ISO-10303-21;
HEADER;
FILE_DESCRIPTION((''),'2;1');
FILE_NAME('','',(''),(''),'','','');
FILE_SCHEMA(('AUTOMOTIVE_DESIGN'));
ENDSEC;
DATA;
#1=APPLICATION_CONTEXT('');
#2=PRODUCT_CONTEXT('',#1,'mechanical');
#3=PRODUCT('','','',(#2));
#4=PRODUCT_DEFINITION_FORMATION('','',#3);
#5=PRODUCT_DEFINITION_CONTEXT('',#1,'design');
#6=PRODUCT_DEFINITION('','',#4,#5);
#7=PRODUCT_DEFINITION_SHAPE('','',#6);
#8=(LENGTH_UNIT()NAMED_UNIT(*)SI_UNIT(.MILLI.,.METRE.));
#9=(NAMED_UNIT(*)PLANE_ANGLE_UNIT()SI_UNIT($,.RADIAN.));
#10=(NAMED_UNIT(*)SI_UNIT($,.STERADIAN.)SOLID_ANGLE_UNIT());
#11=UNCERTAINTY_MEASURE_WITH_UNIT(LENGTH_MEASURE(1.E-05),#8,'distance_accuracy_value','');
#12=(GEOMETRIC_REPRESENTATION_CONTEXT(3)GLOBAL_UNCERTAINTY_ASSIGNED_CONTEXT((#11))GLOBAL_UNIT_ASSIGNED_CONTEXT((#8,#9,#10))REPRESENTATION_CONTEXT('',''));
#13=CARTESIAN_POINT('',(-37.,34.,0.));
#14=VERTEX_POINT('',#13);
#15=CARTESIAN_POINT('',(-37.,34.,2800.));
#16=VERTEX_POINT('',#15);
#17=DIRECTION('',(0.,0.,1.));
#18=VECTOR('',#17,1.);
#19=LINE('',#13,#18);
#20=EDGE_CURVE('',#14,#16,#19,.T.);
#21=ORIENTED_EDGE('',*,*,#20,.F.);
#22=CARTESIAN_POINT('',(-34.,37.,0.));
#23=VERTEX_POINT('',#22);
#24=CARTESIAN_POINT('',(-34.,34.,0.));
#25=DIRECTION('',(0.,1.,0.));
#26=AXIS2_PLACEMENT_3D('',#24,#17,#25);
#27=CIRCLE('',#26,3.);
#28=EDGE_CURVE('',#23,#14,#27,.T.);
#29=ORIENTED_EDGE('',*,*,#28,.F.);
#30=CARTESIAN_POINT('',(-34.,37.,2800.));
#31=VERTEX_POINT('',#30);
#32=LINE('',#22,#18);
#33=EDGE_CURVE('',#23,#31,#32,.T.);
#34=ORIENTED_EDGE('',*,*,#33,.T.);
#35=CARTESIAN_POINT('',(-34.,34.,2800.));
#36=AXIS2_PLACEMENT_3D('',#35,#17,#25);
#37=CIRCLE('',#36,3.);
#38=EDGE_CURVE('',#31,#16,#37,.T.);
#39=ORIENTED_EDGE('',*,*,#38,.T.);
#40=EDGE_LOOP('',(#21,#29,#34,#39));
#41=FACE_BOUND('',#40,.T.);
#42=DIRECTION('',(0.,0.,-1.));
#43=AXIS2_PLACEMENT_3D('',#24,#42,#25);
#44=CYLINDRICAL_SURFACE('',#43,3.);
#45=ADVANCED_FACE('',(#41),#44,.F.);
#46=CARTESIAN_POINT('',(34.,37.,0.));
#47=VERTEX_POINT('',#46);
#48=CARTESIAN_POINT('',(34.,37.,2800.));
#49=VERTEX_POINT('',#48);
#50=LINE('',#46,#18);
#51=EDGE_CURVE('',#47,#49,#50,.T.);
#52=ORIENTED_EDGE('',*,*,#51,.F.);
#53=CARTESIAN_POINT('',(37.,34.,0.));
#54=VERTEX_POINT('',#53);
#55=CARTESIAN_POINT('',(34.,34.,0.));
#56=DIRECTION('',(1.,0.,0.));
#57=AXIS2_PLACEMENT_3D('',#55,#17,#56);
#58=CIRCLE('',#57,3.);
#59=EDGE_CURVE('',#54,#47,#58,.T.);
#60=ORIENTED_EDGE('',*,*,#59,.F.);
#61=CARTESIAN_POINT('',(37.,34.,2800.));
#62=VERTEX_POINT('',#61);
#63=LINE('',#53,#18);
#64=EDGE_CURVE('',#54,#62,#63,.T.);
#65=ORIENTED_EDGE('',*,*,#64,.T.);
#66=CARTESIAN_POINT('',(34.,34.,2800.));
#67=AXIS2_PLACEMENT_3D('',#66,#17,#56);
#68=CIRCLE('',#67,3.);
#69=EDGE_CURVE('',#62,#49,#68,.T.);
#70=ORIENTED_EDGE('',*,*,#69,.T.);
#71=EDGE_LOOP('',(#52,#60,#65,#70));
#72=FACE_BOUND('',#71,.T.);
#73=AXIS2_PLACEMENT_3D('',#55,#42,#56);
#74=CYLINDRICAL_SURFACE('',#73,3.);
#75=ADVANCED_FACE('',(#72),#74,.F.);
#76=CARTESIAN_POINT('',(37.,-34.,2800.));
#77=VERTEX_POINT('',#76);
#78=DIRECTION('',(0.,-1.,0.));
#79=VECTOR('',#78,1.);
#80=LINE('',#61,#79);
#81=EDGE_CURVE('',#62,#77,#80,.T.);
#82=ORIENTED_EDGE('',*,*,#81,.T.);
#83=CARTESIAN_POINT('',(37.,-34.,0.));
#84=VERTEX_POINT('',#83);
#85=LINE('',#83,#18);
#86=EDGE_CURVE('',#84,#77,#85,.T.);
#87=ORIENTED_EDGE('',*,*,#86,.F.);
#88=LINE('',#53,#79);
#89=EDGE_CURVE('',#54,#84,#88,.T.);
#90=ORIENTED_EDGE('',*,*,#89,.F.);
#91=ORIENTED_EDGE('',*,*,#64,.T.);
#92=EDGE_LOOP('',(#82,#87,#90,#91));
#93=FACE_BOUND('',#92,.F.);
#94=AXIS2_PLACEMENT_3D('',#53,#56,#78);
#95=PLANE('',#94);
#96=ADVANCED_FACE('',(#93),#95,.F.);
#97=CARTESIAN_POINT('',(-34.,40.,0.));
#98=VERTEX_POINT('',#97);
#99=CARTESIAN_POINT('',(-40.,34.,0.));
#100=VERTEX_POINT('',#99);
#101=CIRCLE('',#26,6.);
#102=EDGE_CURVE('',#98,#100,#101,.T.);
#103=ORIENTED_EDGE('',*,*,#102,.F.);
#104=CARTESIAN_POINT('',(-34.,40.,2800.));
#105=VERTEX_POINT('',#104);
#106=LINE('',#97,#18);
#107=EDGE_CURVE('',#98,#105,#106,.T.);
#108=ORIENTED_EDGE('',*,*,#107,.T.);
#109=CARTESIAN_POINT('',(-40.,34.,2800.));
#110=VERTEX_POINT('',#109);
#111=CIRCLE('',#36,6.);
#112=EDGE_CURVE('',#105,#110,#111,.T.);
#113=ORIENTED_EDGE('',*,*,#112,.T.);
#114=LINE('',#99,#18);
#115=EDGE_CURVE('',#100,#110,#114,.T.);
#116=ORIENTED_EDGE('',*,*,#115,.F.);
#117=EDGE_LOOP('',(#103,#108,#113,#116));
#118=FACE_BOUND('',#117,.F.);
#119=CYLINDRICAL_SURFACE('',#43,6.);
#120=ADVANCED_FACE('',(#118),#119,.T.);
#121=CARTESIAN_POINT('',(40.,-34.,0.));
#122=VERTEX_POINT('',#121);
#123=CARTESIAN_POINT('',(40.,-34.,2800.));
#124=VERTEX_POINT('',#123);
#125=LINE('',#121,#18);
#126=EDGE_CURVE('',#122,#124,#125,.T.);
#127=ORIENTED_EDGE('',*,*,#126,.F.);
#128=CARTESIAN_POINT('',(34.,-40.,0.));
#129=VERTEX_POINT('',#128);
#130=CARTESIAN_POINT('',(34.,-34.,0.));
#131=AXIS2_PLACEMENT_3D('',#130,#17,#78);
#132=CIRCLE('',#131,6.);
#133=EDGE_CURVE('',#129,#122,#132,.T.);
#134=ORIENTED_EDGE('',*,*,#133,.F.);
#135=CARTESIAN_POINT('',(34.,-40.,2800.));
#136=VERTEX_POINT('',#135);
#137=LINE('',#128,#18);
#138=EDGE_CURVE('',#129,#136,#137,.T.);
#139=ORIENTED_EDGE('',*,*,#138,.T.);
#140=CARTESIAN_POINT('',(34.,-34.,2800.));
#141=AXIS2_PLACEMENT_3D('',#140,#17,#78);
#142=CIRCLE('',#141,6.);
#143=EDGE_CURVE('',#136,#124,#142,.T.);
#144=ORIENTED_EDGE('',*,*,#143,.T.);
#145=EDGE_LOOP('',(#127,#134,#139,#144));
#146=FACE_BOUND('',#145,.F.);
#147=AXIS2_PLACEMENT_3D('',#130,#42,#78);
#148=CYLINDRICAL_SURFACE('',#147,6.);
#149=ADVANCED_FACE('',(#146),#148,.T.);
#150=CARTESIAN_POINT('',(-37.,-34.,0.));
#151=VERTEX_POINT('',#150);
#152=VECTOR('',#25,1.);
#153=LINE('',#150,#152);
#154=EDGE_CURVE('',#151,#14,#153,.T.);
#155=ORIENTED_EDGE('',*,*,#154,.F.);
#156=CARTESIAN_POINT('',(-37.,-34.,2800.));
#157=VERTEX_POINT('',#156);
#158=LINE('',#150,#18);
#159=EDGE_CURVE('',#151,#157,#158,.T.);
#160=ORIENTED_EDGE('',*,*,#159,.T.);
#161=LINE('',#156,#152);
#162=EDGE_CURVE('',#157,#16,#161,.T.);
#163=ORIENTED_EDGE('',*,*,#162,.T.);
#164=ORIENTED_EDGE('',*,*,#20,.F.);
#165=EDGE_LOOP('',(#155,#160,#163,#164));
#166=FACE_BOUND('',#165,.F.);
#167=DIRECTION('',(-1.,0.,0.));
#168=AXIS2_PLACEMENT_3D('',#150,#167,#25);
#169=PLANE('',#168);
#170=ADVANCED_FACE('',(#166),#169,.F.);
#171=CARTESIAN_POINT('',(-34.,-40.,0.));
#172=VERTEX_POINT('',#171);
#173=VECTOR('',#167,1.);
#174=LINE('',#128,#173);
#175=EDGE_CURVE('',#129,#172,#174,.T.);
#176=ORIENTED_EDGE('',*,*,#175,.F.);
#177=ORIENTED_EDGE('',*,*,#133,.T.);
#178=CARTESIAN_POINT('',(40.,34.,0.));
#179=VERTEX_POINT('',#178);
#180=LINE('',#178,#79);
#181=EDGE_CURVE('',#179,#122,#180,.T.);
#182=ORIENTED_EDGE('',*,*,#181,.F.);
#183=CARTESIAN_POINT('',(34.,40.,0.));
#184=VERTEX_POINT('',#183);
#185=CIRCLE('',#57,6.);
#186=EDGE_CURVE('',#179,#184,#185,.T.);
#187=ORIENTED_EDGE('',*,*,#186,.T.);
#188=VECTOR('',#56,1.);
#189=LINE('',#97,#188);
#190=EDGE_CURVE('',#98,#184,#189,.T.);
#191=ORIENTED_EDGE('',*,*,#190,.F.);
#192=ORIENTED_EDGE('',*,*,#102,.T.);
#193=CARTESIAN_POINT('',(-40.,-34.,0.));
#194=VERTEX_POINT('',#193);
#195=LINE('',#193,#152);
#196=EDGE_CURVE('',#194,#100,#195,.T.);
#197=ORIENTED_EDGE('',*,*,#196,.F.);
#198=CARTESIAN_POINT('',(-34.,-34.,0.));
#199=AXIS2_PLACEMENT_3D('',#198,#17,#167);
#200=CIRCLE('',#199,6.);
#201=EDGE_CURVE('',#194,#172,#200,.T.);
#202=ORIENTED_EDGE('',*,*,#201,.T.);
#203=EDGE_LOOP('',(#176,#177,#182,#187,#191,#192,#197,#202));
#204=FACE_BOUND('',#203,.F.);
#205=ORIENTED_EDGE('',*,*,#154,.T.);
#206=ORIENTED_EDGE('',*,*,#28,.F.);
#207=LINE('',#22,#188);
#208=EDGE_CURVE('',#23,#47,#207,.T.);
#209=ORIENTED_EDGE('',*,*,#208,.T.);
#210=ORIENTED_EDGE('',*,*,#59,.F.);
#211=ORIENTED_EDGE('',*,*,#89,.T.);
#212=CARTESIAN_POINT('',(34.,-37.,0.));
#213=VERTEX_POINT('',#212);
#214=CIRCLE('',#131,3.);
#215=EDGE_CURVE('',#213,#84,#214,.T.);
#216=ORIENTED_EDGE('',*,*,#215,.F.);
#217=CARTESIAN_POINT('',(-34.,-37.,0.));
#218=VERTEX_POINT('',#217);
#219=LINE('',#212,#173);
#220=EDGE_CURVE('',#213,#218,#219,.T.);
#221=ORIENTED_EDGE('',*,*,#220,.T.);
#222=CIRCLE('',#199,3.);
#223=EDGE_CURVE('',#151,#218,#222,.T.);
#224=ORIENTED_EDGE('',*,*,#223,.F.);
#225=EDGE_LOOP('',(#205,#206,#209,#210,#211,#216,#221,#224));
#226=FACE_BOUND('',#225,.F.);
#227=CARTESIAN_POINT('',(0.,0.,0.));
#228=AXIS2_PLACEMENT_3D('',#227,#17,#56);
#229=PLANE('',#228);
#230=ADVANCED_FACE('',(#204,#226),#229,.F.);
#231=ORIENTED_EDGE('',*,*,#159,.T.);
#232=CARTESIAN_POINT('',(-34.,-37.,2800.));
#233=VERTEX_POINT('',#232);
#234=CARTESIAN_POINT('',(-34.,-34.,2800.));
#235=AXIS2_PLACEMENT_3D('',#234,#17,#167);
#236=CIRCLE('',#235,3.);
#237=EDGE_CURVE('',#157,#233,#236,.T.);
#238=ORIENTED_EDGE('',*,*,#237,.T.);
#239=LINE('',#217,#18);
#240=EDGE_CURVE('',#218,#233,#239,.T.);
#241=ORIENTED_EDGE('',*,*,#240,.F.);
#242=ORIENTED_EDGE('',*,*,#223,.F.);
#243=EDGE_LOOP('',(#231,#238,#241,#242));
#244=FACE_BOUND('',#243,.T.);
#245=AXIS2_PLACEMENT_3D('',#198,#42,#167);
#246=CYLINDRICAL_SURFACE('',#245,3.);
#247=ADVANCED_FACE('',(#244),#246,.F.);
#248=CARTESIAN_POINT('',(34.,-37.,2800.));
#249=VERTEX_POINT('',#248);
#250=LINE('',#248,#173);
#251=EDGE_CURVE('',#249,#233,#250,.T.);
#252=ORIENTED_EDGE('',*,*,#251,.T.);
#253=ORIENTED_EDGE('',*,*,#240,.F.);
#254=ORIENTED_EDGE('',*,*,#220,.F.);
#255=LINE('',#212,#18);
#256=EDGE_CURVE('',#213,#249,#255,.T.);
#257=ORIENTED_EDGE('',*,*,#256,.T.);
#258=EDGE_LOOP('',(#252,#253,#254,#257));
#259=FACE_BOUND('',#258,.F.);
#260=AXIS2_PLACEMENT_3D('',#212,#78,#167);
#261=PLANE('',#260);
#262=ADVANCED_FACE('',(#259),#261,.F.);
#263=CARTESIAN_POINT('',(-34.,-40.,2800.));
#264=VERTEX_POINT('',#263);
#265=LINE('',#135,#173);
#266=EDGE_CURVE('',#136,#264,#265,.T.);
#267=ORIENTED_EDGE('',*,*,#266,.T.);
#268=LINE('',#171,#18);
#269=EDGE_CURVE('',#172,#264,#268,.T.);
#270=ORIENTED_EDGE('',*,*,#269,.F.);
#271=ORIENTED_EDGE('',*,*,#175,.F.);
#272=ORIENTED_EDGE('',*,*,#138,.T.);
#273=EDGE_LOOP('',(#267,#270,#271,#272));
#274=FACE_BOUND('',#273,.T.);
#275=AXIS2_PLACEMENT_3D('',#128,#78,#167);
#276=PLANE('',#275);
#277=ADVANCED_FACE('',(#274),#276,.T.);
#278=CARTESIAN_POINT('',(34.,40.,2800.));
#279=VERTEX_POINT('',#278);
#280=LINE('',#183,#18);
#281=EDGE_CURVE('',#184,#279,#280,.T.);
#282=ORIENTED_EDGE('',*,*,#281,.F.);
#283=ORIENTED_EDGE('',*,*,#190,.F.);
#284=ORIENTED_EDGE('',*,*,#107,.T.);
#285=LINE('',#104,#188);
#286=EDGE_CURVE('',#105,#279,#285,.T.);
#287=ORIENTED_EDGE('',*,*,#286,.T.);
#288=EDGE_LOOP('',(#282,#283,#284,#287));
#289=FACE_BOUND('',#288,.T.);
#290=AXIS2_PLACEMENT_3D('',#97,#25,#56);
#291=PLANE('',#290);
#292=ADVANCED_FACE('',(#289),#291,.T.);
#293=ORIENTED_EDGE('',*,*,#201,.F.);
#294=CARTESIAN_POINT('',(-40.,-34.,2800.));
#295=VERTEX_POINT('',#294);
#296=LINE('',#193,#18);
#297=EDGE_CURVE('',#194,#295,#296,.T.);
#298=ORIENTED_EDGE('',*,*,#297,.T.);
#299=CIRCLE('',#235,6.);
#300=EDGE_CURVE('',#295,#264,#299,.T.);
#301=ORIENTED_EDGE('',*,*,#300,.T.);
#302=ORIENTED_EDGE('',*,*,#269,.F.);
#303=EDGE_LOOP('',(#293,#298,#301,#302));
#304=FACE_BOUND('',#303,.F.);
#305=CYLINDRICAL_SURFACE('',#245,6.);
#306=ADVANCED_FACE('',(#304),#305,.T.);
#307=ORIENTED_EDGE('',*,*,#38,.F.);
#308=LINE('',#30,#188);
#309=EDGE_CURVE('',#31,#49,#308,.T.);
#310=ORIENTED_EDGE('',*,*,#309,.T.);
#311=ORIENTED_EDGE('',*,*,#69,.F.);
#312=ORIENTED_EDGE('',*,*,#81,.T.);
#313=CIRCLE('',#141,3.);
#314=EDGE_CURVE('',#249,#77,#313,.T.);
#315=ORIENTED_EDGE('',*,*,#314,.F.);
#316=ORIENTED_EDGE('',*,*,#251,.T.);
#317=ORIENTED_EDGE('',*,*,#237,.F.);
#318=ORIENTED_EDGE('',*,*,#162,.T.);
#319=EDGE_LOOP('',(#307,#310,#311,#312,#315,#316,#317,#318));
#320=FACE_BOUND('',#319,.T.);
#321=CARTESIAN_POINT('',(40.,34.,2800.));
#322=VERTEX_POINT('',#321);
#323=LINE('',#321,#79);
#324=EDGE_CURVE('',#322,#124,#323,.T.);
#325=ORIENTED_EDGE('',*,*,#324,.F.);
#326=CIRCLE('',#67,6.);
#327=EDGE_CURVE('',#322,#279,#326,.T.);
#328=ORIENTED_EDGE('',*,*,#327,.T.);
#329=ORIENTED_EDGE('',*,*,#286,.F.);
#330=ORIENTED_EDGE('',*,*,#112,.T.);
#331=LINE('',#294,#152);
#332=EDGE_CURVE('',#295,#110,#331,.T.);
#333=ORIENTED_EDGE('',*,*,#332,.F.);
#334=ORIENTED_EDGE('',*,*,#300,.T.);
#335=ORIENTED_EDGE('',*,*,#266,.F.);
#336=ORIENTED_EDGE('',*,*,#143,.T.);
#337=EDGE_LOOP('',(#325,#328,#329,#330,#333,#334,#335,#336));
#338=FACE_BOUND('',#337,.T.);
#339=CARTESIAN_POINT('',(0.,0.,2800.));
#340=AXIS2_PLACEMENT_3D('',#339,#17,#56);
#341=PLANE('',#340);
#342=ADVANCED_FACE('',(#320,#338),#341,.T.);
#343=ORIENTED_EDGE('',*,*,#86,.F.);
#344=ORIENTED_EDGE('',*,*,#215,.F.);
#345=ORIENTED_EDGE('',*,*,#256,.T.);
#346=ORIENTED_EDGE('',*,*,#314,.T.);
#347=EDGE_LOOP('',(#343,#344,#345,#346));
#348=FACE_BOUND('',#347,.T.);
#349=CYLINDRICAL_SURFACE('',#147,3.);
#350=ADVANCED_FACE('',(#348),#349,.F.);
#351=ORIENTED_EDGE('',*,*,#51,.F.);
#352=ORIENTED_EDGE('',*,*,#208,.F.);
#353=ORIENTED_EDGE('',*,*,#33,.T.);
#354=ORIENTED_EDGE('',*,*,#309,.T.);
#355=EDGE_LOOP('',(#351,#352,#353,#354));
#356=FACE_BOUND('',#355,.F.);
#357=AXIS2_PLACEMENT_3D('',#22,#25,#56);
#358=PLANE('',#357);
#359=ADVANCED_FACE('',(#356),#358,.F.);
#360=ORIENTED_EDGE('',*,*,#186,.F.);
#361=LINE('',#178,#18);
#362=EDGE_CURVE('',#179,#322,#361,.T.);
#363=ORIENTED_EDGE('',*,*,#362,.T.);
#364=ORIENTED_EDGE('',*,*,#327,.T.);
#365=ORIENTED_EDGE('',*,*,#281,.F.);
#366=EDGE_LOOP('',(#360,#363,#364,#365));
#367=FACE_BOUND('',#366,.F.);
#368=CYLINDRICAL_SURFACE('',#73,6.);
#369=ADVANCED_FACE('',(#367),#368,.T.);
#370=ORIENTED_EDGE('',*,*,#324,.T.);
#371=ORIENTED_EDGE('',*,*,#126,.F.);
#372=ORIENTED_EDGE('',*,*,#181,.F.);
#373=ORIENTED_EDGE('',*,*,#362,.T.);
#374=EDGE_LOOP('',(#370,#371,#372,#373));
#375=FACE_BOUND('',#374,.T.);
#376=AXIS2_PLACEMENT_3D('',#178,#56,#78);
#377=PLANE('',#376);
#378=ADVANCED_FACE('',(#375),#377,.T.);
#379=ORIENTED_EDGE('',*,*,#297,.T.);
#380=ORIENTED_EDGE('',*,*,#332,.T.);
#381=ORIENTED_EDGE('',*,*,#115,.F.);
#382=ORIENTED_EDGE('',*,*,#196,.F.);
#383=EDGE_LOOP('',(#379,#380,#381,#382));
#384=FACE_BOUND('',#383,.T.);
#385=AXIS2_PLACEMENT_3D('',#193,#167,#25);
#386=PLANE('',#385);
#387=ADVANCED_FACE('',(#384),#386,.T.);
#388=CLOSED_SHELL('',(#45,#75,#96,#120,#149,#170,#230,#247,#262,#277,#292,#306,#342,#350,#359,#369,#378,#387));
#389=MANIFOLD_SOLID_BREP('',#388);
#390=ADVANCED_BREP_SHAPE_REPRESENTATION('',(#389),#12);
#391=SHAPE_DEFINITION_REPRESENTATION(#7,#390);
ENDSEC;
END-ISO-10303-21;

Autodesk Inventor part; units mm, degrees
ref_plane "YZ Plane" through (0, 0, 0) normal (1, 0, 0) x (0, 1, 0)
ref_plane "Start plane" through (0, 0, 0) normal (0, 0, 1) x (1, 0, 0)
ref_plane "End plane" through (0, 0, 2800) normal (0, 0, 1) x (1, 0, 0)
sketch "Sketch" plane through (0, 0, 0) normal (0, 0, 1) x (1, 0, 0)
  line L0 (-40, -34) -> (-40, 34)
  line L1 (-34, 40) -> (34, 40)
  line L2 (40, 34) -> (40, -34)
  line L3 (34, -40) -> (-34, -40)
  arc A0 (-40, -34) -> (-34, -40) centre (-34, -34) ccw
  arc A1 (40, 34) -> (34, 40) centre (34, 34) ccw
  arc A2 (-34, 40) -> (-40, 34) centre (-34, 34) ccw
  arc A3 (34, -40) -> (40, -34) centre (34, -34) ccw
  arc A4 (-34, 37) -> (-37, 34) centre (-34, 34) ccw
  line L4 (-34, 37) -> (34, 37)
  arc A5 (37, 34) -> (34, 37) centre (34, 34) ccw
  line L5 (37, 34) -> (37, -34)
  arc A6 (34, -37) -> (37, -34) centre (34, -34) ccw
  line L6 (34, -37) -> (-34, -37)
  arc A7 (-37, -34) -> (-34, -37) centre (-34, -34) ccw
  line L7 (-37, -34) -> (-37, 34)
  line L8 (0, 71.7397) -> (0, -71.7397) construction
  line L9 (-71.7397, 0) -> (71.7397, 0) construction
  dimension "d7" = 6
  dimension "d9" = 80
  dimension "d11" = 80
  dimension "d12" = 3
  dimension "d15" = 40
  dimension "d16" = 40
extrude "Body" add sketch "Sketch" along normal up to surface (2800 mm away) from surface at 0
sketch "Sketch3" plane through (0, 0, 0) normal (0, 0, 1) x (1, 0, 0)
  line L0 (0, 0) -> (10, 0)
ref_plane "Work Plane3" through (0, 0, 0) normal (0, -1, 0) x (1, 0, 0)
sketch "Sketch4" plane through (0, 0, 0) normal (0, -1, 0) x (1, 0, 0)
  line L0 (-2, 0) -> (12, 0) projected
  line L1 (-2, 2800) -> (12, 2800) projected
  dimension "d18" = 2800
equation "\"d7\" = G_IR"
equation "\"d9\" = G_W"
equation "\"d11\" = G_H"
equation "\"d12\" = G_T"
equation "\"d15\" = 0.5 * d9"
equation "\"d16\" = 0.5 * d11"
equation "\"d3\" = G_L"
equation "\"G_W\" = 80"
equation "\"G_H\" = 80"
equation "\"G_T\" = 3"
equation "\"G_IR\" = 6"
equation "\"G_L\" = d18"
equation "\"G_OFFSET_START\" = 0"
equation "\"G_OFFSET_END\" = 0"
properties part number "ISO 10799-2 - 80x80x3 - 2800" material "Steel, Mild"
